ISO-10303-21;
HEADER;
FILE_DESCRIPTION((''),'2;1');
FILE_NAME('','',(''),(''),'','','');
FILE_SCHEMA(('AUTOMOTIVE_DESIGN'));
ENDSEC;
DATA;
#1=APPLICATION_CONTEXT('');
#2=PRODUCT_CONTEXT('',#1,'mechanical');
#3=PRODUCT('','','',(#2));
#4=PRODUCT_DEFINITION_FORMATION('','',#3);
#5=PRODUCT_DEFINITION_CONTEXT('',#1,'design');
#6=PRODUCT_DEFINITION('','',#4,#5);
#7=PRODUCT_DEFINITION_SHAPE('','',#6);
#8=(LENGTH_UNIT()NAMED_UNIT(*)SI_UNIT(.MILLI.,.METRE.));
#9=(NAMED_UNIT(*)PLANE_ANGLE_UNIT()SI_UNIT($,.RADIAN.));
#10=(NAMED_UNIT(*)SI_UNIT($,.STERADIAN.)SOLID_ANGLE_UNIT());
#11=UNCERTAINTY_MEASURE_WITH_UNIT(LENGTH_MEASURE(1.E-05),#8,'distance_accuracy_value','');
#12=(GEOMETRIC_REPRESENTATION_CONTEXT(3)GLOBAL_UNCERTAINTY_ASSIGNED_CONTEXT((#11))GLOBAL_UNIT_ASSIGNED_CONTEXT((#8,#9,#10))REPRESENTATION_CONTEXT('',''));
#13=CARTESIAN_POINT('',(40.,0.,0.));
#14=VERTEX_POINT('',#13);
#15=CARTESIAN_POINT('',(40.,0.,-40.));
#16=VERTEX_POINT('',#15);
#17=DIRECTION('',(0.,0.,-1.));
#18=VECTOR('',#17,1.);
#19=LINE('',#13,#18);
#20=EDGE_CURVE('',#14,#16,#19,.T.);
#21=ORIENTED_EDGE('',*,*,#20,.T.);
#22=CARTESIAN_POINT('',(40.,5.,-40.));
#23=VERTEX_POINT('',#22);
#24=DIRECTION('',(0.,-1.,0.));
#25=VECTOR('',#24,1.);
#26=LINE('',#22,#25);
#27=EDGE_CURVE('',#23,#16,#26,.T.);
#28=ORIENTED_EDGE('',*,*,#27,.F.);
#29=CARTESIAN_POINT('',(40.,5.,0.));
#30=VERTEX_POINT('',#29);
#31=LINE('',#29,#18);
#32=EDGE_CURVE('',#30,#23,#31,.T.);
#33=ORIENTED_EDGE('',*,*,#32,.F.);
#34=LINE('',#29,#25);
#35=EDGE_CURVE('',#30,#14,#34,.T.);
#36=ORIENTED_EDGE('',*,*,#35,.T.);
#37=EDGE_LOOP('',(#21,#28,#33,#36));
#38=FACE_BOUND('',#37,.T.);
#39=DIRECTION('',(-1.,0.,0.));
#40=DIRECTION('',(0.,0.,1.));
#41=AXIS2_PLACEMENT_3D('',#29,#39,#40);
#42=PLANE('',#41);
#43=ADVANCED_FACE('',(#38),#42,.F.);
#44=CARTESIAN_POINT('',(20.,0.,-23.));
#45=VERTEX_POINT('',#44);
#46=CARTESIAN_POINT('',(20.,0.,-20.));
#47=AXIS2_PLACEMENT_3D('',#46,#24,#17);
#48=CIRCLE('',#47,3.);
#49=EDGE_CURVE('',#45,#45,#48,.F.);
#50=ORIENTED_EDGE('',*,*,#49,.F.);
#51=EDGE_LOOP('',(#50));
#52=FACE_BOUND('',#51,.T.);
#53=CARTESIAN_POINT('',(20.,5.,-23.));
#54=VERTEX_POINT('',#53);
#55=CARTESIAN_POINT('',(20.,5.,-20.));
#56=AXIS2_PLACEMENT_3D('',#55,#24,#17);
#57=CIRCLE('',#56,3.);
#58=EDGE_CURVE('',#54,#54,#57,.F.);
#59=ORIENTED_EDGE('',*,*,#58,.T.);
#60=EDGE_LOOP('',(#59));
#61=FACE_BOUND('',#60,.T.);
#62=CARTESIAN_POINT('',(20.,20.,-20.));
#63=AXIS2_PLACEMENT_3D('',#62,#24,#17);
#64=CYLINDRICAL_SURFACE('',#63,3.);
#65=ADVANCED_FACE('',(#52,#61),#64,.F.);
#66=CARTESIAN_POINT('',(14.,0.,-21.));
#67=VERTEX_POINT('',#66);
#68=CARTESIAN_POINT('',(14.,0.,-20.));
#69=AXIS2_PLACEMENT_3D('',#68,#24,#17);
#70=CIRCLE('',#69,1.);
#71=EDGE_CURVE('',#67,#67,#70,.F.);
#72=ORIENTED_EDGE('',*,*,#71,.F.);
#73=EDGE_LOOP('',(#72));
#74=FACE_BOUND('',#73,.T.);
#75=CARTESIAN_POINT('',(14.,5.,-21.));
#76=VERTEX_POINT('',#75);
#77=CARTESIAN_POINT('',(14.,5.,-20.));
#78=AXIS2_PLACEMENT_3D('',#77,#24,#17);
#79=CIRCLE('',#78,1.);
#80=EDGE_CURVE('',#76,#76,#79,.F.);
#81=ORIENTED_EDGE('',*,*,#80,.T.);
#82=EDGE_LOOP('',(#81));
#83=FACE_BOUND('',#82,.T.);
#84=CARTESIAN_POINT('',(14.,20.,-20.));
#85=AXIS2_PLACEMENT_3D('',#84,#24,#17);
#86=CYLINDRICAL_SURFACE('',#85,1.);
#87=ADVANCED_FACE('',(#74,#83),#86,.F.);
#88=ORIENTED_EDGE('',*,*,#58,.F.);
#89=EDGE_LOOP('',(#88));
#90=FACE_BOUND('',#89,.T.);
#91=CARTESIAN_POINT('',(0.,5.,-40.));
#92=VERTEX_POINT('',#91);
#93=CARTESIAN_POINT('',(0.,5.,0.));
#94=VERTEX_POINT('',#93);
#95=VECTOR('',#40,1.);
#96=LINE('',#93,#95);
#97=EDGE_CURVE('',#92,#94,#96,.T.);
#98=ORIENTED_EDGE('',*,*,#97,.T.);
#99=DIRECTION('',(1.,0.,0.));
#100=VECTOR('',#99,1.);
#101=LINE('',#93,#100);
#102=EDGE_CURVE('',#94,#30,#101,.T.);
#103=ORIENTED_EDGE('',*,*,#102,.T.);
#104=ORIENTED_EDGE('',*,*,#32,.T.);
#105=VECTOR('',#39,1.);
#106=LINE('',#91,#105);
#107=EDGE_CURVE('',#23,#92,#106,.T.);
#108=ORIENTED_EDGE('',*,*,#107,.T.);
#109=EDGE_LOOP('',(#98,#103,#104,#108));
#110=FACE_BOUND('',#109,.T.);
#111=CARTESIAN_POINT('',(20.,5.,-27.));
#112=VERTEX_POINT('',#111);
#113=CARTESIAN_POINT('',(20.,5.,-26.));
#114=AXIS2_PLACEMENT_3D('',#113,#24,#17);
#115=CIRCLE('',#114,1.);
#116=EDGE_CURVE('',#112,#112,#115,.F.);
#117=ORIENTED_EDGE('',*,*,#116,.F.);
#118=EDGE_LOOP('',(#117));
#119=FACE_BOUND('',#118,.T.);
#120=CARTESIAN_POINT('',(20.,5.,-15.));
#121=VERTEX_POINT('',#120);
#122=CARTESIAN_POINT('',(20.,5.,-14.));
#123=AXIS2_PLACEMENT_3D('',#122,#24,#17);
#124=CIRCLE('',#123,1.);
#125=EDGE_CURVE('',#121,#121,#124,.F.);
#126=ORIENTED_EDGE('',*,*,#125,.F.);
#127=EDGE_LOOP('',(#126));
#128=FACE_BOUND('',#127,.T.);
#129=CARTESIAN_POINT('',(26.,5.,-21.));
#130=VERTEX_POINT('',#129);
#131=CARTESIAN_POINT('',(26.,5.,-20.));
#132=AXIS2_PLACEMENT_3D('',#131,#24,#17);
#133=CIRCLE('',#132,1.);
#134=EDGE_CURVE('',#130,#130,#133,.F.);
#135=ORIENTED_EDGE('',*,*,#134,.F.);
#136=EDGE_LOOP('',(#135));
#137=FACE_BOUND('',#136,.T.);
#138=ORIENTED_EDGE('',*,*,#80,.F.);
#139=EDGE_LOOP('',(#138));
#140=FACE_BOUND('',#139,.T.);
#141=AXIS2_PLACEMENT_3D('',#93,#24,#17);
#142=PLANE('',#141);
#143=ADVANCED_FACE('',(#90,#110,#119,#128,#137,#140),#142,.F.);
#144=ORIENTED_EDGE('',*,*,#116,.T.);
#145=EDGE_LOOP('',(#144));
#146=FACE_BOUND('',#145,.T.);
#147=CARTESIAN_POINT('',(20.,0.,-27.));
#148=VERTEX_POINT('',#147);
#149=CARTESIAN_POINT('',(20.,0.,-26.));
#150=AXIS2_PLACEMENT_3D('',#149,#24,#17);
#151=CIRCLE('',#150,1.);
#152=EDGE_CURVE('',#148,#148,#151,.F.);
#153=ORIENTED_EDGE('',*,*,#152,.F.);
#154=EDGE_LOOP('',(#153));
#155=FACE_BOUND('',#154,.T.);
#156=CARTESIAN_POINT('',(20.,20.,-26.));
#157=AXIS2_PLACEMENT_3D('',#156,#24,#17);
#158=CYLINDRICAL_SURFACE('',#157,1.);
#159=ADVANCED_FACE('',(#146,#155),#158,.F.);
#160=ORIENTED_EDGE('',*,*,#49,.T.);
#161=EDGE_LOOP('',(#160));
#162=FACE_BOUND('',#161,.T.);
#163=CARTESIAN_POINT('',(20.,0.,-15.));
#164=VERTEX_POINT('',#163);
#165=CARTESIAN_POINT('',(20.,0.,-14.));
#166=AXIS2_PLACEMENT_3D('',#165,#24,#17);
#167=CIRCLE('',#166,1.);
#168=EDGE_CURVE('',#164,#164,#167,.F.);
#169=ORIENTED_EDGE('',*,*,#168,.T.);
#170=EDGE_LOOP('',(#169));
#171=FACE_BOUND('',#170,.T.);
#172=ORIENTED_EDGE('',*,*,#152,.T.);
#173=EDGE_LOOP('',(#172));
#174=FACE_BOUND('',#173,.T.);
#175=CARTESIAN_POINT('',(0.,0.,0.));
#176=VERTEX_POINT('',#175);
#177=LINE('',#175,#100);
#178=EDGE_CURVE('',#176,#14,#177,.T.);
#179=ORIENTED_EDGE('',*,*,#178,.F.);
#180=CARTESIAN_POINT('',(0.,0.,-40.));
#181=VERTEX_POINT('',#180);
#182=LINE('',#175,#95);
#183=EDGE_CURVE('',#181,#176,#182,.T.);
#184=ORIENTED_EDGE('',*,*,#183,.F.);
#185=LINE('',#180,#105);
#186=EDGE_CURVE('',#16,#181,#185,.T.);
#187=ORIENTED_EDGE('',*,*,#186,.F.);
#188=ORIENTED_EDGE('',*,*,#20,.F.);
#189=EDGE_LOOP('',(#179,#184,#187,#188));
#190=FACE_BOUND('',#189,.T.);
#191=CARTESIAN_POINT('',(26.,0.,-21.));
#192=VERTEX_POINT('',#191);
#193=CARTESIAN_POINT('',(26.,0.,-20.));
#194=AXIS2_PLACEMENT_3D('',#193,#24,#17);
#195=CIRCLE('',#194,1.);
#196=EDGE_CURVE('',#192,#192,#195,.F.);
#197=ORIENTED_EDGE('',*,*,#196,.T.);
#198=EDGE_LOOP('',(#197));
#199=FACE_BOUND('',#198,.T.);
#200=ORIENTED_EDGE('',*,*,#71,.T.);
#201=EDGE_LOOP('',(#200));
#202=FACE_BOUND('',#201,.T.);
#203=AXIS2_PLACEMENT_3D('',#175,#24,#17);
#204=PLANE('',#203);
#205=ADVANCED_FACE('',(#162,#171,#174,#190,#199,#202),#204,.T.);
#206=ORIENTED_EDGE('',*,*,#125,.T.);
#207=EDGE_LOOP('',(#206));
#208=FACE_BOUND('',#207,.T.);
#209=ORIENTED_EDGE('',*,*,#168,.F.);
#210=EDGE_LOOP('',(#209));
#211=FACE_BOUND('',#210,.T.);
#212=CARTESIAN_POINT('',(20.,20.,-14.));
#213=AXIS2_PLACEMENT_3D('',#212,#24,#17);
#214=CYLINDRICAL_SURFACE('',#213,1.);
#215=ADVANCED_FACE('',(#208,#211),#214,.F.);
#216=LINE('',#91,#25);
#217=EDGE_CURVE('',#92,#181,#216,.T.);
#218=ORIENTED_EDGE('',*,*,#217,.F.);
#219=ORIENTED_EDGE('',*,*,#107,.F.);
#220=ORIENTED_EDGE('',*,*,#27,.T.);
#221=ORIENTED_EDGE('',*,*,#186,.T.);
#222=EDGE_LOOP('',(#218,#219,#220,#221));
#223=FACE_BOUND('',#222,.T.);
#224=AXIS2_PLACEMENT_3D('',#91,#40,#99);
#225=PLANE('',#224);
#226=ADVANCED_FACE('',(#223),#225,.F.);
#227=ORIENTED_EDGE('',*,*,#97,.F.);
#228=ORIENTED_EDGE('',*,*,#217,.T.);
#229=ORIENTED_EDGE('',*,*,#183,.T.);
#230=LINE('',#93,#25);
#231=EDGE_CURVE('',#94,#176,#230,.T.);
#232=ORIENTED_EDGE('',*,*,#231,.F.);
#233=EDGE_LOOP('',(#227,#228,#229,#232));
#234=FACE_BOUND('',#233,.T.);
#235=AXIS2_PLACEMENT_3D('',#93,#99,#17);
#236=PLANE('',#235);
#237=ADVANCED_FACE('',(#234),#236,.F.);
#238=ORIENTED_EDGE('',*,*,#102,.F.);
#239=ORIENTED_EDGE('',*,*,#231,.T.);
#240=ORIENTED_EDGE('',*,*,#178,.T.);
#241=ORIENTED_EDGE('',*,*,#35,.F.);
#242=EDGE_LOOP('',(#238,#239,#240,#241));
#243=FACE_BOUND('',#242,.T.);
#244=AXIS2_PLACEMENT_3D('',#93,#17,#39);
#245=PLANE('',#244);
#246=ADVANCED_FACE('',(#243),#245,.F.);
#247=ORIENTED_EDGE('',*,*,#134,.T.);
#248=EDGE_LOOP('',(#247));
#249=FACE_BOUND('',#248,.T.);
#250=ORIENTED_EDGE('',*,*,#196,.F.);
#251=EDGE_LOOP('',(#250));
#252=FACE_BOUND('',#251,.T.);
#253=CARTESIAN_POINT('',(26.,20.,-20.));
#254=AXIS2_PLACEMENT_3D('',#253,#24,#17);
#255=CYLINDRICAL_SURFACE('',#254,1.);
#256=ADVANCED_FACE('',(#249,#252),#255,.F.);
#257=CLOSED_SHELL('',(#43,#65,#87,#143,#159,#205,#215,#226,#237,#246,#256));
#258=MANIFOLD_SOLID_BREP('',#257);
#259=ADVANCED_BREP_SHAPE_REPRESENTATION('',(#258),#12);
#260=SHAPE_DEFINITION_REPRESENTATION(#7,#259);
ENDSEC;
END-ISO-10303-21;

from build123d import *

# Parameters (mm, degrees)
SKETCH1_W               = 40
SKETCH1_H               = 40
BOSS_EXTRUDE1_DEPTH     = 5
CUT_EXTRUDE4_DEPTH      = 15
CUT_EXTRUDE4_DEPTH_BACK = 15
SKETCH8_R               = 3
SKETCH8_R_2             = 1


with BuildPart() as part:
    # Sketch1 → Boss-Extrude1 (new body)
    with BuildSketch(Plane(origin=(0, 0, 0), x_dir=(1, 0, 0), z_dir=(0, 1, 0))):
        with Locations((20, 20)):
            Rectangle(SKETCH1_W, SKETCH1_H)
    extrude(amount=BOSS_EXTRUDE1_DEPTH)

    # Sketch8 → Cut-Extrude4 (cut, two sides: drawn at the far end of the back side and taken through both)
    with BuildSketch(Plane(origin=(0, 5, 0), x_dir=(1, 0, 0), z_dir=(0, 1, 0)).offset(-CUT_EXTRUDE4_DEPTH_BACK)):
        with Locations((20, 20)):
            Circle(SKETCH8_R)
        with Locations((20, 14)):
            Circle(SKETCH8_R_2)
        with Locations((26, 20)):
            Circle(SKETCH8_R_2)
        with Locations((14, 20)):
            Circle(SKETCH8_R_2)
        with Locations((20, 26)):
            Circle(SKETCH8_R_2)
    extrude(amount=CUT_EXTRUDE4_DEPTH + CUT_EXTRUDE4_DEPTH_BACK, mode=Mode.SUBTRACT)


solid = part.part
